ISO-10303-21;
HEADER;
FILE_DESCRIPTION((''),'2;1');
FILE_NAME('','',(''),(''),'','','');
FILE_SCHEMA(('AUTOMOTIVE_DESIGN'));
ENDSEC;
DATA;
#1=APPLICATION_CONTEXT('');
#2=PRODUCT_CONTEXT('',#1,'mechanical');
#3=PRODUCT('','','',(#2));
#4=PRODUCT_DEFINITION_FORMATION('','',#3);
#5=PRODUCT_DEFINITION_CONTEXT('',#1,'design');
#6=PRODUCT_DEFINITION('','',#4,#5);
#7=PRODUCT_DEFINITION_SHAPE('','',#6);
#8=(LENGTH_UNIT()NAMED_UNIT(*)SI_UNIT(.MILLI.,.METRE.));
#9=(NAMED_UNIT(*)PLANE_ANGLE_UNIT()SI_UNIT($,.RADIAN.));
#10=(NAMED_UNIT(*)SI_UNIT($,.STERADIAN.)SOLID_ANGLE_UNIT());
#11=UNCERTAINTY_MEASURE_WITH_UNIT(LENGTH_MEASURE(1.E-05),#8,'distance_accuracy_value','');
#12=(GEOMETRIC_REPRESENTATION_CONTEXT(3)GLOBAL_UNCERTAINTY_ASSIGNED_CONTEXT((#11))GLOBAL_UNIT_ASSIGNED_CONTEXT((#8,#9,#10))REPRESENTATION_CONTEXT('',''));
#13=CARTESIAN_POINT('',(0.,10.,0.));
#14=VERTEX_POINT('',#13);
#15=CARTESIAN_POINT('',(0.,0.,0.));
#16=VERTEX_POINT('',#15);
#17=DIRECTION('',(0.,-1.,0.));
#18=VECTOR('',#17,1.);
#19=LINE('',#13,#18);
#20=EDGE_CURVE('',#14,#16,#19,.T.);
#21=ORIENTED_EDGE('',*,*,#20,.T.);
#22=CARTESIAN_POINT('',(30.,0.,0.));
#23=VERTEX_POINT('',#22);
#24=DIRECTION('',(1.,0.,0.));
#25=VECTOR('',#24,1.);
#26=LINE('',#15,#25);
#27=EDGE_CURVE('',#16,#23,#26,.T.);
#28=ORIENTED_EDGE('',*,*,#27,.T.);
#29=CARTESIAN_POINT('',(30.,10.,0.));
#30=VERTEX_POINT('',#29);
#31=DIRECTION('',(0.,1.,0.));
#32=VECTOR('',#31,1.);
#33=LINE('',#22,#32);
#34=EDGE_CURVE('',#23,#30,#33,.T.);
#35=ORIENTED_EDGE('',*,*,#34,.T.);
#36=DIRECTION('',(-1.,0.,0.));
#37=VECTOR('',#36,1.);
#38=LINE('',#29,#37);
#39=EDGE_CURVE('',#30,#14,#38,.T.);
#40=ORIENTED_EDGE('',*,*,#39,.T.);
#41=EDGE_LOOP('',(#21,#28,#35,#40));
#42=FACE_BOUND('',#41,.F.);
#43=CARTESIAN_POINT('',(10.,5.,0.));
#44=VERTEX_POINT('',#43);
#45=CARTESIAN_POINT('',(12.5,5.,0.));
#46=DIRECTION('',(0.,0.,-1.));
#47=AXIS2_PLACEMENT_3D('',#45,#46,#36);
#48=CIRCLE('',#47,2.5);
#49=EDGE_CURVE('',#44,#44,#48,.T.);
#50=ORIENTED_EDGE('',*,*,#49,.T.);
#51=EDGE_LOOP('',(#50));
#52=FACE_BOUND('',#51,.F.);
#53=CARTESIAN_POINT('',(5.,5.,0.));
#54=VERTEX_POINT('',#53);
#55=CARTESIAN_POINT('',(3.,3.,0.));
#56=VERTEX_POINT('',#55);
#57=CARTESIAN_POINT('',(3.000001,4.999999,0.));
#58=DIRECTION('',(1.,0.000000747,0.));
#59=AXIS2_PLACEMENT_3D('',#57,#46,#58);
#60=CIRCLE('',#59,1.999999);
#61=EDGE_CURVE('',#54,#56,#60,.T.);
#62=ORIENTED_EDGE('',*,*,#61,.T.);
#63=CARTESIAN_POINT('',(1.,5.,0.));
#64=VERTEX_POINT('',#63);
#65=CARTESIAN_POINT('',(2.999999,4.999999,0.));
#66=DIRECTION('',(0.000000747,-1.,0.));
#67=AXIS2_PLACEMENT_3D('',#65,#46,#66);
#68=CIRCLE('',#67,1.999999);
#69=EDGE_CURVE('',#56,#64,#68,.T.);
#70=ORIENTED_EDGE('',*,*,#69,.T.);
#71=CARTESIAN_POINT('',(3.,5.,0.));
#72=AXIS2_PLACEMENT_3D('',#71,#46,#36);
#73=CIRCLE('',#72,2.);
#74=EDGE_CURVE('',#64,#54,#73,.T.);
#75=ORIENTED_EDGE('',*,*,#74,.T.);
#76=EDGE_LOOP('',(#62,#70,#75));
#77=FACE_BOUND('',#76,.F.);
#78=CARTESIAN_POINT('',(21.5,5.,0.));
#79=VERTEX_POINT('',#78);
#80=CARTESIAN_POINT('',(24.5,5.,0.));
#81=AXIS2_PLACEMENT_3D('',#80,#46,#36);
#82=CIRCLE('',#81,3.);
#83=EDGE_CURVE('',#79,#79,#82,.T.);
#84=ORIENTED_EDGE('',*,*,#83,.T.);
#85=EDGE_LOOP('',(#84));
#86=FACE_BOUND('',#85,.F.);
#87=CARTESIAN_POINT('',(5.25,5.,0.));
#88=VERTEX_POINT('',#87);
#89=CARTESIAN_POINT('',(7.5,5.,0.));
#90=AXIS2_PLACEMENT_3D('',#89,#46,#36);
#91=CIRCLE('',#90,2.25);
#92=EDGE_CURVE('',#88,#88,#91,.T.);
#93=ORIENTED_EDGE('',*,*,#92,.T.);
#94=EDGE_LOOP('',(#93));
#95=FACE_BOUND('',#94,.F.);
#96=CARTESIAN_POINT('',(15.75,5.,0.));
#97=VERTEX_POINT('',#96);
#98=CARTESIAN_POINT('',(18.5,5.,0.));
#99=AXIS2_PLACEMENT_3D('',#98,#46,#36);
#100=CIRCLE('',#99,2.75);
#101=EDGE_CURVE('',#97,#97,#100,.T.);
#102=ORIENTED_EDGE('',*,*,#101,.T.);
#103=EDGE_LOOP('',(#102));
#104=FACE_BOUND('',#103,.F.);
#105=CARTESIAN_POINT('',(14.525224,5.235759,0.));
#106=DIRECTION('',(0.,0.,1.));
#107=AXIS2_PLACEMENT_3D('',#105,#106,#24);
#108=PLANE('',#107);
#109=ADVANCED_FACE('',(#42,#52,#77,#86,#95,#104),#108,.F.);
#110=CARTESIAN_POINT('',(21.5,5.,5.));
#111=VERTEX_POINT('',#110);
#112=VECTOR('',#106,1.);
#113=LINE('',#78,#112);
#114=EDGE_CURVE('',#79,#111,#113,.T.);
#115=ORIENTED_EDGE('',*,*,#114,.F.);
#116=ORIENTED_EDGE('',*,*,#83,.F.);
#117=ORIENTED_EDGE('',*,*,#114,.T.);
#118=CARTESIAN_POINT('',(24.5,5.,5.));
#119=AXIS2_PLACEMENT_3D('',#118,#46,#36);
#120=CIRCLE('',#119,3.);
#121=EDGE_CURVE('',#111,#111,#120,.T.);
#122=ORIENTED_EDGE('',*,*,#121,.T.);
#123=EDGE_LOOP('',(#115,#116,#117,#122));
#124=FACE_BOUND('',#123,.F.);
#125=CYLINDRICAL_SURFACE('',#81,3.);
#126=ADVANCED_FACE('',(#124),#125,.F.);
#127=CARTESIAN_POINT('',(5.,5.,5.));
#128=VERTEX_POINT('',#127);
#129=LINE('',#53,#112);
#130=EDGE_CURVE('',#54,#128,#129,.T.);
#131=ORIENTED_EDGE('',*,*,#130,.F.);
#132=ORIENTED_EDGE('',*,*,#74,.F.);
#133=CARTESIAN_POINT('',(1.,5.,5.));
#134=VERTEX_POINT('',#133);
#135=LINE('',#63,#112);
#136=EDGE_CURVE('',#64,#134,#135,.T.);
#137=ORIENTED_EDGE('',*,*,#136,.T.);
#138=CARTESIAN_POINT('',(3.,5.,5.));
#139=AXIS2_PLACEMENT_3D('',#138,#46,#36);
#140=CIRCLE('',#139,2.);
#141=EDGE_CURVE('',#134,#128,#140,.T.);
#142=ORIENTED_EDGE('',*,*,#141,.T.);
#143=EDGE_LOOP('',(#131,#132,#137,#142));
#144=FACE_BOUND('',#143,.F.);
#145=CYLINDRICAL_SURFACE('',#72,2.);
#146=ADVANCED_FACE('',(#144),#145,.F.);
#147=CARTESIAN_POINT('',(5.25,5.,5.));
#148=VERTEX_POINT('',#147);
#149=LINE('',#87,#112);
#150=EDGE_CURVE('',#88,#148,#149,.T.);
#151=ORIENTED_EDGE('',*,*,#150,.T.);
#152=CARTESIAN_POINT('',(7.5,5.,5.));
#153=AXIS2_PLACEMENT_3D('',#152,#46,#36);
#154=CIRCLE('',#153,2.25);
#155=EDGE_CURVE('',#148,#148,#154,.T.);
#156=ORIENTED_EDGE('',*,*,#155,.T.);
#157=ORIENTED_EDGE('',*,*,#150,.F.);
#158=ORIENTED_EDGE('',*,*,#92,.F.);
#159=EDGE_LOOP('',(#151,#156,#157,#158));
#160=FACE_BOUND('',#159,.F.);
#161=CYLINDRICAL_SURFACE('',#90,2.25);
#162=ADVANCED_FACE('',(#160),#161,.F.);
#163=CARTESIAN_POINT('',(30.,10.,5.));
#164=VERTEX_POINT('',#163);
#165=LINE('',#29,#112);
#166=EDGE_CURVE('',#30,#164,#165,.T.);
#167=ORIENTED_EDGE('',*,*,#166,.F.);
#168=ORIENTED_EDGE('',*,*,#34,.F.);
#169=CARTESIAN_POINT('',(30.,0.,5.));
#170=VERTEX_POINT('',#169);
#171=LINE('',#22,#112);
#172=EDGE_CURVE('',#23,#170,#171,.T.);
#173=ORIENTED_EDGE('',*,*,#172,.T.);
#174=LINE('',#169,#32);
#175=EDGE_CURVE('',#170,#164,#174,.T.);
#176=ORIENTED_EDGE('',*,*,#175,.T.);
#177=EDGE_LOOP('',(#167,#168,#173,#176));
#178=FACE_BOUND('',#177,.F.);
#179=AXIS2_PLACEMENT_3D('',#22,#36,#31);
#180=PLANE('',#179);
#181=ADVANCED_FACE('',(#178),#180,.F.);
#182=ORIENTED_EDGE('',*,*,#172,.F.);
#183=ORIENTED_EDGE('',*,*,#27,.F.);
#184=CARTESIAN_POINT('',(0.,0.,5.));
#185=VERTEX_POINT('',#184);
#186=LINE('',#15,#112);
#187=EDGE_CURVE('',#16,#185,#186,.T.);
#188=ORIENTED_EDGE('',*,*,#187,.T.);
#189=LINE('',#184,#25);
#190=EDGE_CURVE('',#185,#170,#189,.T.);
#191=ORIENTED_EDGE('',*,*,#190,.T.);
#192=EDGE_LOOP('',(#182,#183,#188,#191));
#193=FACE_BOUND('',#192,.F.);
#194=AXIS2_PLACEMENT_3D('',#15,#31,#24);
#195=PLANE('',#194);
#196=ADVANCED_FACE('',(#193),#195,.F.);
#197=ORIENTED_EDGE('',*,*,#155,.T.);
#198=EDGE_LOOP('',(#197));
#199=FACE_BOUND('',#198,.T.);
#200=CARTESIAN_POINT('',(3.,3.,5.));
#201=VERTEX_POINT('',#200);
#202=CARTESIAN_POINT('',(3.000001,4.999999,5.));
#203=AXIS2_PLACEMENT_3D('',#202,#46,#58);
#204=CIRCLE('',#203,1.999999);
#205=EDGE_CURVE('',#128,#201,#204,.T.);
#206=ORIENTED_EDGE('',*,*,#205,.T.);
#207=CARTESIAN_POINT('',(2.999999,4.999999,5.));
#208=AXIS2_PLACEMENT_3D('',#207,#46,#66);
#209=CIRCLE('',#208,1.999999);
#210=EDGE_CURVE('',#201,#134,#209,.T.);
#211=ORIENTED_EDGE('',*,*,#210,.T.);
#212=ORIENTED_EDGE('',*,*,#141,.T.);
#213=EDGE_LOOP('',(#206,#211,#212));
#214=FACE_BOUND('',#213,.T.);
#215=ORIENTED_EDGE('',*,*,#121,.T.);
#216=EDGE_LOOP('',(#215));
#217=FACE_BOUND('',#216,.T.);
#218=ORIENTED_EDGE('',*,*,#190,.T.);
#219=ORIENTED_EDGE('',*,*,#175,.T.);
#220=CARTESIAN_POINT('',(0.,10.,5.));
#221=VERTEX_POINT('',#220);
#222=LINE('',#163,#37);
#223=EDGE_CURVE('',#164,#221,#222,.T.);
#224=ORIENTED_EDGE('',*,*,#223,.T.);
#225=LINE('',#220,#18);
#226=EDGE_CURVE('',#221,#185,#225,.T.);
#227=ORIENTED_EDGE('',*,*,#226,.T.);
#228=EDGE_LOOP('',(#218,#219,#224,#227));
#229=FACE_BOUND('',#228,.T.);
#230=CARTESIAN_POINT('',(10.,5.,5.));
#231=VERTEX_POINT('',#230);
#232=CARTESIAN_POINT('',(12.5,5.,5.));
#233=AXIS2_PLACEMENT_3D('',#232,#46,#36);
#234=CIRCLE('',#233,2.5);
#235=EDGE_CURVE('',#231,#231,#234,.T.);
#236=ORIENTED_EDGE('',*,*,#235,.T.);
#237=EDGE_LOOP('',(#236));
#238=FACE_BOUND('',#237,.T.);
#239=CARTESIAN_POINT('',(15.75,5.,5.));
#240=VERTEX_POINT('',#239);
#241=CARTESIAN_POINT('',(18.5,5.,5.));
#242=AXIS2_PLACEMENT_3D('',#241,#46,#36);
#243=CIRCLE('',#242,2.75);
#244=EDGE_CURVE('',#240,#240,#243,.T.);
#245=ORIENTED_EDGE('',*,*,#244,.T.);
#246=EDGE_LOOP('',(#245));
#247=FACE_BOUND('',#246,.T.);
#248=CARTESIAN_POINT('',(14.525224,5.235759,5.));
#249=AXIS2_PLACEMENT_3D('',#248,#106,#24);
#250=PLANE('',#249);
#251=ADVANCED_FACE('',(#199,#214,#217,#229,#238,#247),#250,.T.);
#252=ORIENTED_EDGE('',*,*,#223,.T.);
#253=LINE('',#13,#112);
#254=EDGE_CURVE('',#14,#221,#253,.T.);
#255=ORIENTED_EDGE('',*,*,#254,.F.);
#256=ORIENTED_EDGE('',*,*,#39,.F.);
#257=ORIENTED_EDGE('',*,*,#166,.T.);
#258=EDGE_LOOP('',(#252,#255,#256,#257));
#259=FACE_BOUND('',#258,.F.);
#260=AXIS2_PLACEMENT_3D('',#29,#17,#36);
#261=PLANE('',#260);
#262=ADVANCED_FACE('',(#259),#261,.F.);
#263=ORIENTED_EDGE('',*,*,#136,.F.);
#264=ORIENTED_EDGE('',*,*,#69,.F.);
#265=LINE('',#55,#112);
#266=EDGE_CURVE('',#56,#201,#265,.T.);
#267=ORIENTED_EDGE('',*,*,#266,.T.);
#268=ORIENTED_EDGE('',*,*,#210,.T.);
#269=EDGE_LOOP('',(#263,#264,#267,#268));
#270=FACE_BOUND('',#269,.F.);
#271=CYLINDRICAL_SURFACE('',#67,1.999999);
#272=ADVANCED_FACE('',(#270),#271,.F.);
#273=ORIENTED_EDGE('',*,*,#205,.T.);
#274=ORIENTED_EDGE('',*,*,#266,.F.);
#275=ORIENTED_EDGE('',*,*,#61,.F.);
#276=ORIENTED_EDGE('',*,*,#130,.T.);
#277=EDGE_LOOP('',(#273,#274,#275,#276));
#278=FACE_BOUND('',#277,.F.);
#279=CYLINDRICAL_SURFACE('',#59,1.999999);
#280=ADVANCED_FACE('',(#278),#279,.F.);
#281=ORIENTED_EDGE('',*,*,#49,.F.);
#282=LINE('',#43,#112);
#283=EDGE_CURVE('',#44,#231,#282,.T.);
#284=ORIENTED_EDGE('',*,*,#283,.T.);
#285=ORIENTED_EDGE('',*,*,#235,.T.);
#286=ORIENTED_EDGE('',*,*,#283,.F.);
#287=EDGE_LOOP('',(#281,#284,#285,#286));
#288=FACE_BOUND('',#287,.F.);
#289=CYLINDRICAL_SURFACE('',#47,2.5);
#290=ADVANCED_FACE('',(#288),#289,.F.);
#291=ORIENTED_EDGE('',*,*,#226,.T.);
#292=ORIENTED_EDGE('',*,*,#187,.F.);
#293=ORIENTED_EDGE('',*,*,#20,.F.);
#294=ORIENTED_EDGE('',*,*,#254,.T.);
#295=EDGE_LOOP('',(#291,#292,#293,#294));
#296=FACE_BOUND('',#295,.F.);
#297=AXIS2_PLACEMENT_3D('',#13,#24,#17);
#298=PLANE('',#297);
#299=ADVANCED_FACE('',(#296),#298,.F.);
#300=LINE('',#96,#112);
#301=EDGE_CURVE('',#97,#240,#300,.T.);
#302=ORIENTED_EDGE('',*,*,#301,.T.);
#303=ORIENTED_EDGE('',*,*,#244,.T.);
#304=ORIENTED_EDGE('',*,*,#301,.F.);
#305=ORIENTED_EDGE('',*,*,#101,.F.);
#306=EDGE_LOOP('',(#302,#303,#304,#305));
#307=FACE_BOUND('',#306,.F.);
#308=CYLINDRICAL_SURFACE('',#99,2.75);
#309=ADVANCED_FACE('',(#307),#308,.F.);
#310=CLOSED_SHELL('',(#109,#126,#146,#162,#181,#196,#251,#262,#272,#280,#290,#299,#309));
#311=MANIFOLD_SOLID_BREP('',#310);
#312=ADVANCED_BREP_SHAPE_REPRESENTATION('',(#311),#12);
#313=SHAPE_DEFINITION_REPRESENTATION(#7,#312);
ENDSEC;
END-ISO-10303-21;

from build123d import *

# Parameters (mm, degrees)
F1_DEPTH = 5


with BuildPart() as f1:
    # F0 (on Top) → F1 (new body)
    with BuildSketch(Plane.XY):
        with BuildLine():
            Line((0, 10), (0, 5))
            Line((0, 5), (1, 5))
            ThreePointArc((1, 5), (3, 7), (5, 5))
            ThreePointArc((5, 5), (4.414214, 3.585786), (3, 3))
            Line((3, 3), (3, 0))
            Line((3, 0), (30, 0))
            Line((30, 0), (30, 10))
            Line((30, 10), (0, 10))
        make_face()
        with BuildLine():
            ThreePointArc((9.75, 5), (7.5, 2.75), (5.25, 5))
            ThreePointArc((5.25, 5), (7.5, 7.25), (9.75, 5))
        make_face(mode=Mode.SUBTRACT)
        with BuildLine():
            ThreePointArc((15, 5), (12.5, 2.5), (10, 5))
            ThreePointArc((10, 5), (12.5, 7.5), (15, 5))
        make_face(mode=Mode.SUBTRACT)
        with BuildLine():
            ThreePointArc((21.25, 5), (18.5, 2.25), (15.75, 5))
            ThreePointArc((15.75, 5), (18.5, 7.75), (21.25, 5))
        make_face(mode=Mode.SUBTRACT)
        with BuildLine():
            ThreePointArc((27.5, 5), (24.5, 2), (21.5, 5))
            ThreePointArc((21.5, 5), (24.5, 8), (27.5, 5))
        make_face(mode=Mode.SUBTRACT)
        with BuildLine():
            Line((0, 5), (0, 0))
            Line((0, 0), (3, 0))
            Line((3, 0), (3, 3))
            ThreePointArc((3, 3), (1.585786, 3.585786), (1, 5))
            Line((1, 5), (0, 5))
        make_face()
    extrude(amount=F1_DEPTH)


solid = f1.part
